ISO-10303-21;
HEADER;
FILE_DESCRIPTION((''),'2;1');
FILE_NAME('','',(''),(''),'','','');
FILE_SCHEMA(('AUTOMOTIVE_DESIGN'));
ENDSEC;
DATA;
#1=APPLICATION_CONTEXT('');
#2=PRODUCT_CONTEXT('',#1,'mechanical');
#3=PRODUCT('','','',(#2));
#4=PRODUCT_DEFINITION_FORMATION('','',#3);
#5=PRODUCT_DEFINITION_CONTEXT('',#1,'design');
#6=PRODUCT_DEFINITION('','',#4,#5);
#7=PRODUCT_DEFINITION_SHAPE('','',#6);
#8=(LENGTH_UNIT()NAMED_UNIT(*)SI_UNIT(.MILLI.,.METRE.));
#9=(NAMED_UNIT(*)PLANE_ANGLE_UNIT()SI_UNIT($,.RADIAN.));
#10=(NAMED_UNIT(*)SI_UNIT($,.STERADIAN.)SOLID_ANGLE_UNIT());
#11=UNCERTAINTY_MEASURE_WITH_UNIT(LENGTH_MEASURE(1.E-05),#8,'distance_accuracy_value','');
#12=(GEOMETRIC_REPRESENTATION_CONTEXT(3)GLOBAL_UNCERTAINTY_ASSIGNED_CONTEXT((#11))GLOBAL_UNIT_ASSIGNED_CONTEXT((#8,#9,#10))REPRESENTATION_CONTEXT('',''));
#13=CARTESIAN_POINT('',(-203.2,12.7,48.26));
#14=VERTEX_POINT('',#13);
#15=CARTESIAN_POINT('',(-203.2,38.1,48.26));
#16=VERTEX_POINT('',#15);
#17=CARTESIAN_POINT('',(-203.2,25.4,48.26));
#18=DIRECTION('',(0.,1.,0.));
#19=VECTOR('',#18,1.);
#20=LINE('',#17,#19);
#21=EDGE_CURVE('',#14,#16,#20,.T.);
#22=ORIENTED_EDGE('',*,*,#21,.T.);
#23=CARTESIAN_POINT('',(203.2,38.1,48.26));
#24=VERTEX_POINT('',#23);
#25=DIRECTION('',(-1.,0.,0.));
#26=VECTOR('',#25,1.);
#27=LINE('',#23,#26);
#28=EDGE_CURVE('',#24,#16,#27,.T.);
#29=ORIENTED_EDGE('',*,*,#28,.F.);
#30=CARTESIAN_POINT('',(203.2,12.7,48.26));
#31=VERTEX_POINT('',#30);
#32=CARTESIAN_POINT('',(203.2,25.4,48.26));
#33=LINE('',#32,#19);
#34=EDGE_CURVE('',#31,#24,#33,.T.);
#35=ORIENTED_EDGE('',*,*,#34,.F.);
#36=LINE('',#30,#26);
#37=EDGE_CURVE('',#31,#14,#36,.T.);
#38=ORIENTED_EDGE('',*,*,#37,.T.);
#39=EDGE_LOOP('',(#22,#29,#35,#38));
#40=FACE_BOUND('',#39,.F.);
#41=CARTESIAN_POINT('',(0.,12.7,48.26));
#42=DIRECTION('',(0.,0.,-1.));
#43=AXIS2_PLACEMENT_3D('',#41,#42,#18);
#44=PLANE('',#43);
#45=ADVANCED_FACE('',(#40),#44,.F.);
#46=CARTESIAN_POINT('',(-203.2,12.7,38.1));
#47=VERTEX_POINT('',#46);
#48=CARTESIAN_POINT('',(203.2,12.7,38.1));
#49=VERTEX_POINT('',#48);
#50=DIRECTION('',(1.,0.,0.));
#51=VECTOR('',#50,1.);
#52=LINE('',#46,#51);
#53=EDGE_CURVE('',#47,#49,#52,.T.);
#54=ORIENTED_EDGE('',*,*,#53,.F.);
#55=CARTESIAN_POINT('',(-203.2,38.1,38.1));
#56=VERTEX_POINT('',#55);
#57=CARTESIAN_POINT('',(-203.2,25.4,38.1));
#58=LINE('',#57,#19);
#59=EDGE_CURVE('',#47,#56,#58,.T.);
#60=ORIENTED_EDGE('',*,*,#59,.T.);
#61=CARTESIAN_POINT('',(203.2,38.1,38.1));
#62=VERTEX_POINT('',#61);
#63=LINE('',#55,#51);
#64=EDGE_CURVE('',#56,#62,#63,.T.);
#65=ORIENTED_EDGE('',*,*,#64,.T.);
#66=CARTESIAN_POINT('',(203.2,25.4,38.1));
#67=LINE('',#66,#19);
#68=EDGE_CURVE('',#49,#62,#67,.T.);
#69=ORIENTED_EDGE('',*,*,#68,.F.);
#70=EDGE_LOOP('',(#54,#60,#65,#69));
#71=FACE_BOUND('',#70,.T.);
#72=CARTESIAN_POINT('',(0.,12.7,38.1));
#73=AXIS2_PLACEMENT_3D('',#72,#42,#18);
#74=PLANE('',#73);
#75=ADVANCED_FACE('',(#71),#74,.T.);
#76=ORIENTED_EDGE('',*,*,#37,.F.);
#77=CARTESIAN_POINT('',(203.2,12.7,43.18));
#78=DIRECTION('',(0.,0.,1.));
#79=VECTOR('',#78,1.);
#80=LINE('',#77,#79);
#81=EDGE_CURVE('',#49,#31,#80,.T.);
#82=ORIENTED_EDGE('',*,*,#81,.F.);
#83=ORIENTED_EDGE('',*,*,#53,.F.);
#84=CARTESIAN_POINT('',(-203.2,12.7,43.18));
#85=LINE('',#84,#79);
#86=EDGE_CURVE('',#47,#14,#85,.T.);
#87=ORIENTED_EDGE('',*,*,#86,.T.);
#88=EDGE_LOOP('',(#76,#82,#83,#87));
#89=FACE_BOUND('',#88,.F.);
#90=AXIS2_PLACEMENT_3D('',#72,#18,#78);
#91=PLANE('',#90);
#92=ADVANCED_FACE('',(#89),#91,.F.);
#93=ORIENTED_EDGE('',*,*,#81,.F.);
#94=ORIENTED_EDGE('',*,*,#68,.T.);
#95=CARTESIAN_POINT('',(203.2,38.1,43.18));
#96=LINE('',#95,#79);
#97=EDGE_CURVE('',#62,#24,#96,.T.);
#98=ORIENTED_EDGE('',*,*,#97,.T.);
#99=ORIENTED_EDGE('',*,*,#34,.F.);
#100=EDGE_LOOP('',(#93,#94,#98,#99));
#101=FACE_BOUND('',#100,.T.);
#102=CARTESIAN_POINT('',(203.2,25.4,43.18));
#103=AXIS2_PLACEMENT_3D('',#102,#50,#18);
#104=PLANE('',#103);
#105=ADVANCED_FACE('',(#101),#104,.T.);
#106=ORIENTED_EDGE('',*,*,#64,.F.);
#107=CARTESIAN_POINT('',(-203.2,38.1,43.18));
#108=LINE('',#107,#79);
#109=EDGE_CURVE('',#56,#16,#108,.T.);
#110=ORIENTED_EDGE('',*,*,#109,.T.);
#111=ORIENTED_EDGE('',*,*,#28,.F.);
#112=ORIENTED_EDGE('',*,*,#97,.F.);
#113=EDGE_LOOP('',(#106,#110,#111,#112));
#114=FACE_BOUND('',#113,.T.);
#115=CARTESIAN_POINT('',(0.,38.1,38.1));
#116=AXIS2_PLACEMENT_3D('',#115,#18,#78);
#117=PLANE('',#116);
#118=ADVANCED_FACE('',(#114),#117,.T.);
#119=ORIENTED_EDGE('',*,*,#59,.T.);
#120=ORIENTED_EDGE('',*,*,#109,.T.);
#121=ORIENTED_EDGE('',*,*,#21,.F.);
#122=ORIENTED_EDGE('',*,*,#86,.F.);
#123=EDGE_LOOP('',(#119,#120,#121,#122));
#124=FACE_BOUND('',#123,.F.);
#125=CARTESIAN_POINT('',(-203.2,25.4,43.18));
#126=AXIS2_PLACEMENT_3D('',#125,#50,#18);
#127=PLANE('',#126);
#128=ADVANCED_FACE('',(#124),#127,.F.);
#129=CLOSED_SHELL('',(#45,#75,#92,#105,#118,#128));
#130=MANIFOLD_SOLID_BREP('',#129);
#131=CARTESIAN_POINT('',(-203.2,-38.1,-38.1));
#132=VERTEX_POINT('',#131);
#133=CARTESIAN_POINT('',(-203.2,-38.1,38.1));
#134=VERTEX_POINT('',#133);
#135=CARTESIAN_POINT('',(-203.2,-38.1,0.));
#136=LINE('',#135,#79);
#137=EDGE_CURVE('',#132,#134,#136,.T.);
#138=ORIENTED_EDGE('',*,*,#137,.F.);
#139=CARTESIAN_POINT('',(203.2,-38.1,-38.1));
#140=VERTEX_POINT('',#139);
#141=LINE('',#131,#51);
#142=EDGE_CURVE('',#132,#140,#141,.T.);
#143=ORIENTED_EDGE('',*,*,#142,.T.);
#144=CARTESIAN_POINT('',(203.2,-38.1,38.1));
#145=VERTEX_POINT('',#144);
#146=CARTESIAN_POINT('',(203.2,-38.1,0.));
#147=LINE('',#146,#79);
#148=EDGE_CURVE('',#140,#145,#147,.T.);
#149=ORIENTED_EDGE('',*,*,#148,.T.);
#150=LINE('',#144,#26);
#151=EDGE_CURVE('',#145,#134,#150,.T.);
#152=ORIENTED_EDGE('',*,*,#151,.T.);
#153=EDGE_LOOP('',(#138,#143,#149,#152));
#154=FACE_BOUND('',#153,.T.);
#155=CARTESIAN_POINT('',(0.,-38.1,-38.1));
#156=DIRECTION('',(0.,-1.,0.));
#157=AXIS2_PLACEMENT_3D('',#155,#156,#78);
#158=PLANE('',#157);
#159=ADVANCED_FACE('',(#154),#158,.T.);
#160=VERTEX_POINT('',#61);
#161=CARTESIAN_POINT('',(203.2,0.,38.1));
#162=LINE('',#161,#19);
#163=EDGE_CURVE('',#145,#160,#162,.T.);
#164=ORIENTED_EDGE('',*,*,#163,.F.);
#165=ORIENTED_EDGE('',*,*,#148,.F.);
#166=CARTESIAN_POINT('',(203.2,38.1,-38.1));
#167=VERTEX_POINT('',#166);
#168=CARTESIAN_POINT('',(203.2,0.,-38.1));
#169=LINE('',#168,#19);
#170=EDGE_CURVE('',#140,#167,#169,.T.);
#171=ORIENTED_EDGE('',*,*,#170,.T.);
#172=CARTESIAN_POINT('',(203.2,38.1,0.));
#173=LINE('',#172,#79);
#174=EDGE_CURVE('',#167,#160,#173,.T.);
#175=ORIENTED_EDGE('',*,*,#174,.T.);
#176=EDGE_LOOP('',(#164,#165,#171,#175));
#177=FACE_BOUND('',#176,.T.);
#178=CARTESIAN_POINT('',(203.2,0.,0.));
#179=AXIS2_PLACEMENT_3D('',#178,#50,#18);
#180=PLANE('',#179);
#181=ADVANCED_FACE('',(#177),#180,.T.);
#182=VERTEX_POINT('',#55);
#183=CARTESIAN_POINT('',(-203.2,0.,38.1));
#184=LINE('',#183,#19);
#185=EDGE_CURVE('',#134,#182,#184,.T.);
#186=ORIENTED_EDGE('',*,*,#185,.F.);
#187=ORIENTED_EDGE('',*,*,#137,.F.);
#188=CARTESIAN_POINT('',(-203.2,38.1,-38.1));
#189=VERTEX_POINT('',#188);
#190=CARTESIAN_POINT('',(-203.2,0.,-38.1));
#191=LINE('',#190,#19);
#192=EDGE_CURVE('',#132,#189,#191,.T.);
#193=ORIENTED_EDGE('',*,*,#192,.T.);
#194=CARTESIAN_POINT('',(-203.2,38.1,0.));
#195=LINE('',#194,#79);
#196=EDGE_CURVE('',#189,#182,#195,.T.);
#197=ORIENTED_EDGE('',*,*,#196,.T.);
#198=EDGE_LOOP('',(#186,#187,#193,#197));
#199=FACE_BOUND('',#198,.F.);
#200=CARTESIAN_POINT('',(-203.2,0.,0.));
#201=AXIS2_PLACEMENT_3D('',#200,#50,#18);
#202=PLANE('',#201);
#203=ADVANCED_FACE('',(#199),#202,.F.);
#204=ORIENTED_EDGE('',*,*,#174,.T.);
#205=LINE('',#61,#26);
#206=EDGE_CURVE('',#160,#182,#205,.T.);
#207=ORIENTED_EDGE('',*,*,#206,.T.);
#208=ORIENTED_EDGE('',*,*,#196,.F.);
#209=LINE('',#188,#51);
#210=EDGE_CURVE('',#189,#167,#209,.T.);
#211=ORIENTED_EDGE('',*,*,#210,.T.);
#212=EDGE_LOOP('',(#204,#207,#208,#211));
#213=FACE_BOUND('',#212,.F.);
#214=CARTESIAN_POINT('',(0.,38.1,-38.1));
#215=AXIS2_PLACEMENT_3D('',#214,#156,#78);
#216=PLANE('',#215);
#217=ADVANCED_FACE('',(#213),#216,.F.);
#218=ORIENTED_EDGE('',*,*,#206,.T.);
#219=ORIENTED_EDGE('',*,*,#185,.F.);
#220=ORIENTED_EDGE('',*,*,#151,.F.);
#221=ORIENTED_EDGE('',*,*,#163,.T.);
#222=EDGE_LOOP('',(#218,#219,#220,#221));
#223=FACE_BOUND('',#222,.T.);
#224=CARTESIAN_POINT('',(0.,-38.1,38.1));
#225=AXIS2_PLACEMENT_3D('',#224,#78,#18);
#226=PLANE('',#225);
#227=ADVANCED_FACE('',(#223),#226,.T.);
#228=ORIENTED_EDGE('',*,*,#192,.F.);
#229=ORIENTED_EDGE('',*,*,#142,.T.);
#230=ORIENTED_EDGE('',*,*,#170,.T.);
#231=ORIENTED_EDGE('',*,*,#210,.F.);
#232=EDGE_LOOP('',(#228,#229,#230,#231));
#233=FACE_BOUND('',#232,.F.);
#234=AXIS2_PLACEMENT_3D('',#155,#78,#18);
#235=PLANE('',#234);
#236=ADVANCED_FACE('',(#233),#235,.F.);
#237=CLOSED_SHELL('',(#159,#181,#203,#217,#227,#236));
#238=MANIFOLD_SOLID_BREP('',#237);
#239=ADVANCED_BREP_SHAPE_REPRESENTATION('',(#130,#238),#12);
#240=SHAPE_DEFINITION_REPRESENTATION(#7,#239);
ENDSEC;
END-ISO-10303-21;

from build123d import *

# Parameters (mm, degrees)
F0_W          = 76.2
F0_H          = 76.2
F1_DEPTH      = 203.2
F1_DEPTH_BACK = 203.2
F2_W          = 25.4
F2_H          = 10.16
F3_DEPTH      = 203.2
F3_DEPTH_BACK = 203.2


with BuildPart() as f1:
    # F0 (on Right) → F1 (new body, two sides)
    with BuildSketch(Plane.YZ) as f1_sk:
        Rectangle(F0_W, F0_H)
    extrude(amount=-F1_DEPTH)
    extrude(f1_sk.sketch, amount=F1_DEPTH_BACK)


with BuildPart() as f3:
    # F2 (on Right) → F3 (new body, two sides)
    with BuildSketch(Plane.YZ) as f3_sk:
        with Locations((25.4, 43.18)):
            Rectangle(F2_W, F2_H)
    extrude(amount=F3_DEPTH)
    extrude(f3_sk.sketch, amount=-F3_DEPTH_BACK)


solid = Compound([f1.part, f3.part])
